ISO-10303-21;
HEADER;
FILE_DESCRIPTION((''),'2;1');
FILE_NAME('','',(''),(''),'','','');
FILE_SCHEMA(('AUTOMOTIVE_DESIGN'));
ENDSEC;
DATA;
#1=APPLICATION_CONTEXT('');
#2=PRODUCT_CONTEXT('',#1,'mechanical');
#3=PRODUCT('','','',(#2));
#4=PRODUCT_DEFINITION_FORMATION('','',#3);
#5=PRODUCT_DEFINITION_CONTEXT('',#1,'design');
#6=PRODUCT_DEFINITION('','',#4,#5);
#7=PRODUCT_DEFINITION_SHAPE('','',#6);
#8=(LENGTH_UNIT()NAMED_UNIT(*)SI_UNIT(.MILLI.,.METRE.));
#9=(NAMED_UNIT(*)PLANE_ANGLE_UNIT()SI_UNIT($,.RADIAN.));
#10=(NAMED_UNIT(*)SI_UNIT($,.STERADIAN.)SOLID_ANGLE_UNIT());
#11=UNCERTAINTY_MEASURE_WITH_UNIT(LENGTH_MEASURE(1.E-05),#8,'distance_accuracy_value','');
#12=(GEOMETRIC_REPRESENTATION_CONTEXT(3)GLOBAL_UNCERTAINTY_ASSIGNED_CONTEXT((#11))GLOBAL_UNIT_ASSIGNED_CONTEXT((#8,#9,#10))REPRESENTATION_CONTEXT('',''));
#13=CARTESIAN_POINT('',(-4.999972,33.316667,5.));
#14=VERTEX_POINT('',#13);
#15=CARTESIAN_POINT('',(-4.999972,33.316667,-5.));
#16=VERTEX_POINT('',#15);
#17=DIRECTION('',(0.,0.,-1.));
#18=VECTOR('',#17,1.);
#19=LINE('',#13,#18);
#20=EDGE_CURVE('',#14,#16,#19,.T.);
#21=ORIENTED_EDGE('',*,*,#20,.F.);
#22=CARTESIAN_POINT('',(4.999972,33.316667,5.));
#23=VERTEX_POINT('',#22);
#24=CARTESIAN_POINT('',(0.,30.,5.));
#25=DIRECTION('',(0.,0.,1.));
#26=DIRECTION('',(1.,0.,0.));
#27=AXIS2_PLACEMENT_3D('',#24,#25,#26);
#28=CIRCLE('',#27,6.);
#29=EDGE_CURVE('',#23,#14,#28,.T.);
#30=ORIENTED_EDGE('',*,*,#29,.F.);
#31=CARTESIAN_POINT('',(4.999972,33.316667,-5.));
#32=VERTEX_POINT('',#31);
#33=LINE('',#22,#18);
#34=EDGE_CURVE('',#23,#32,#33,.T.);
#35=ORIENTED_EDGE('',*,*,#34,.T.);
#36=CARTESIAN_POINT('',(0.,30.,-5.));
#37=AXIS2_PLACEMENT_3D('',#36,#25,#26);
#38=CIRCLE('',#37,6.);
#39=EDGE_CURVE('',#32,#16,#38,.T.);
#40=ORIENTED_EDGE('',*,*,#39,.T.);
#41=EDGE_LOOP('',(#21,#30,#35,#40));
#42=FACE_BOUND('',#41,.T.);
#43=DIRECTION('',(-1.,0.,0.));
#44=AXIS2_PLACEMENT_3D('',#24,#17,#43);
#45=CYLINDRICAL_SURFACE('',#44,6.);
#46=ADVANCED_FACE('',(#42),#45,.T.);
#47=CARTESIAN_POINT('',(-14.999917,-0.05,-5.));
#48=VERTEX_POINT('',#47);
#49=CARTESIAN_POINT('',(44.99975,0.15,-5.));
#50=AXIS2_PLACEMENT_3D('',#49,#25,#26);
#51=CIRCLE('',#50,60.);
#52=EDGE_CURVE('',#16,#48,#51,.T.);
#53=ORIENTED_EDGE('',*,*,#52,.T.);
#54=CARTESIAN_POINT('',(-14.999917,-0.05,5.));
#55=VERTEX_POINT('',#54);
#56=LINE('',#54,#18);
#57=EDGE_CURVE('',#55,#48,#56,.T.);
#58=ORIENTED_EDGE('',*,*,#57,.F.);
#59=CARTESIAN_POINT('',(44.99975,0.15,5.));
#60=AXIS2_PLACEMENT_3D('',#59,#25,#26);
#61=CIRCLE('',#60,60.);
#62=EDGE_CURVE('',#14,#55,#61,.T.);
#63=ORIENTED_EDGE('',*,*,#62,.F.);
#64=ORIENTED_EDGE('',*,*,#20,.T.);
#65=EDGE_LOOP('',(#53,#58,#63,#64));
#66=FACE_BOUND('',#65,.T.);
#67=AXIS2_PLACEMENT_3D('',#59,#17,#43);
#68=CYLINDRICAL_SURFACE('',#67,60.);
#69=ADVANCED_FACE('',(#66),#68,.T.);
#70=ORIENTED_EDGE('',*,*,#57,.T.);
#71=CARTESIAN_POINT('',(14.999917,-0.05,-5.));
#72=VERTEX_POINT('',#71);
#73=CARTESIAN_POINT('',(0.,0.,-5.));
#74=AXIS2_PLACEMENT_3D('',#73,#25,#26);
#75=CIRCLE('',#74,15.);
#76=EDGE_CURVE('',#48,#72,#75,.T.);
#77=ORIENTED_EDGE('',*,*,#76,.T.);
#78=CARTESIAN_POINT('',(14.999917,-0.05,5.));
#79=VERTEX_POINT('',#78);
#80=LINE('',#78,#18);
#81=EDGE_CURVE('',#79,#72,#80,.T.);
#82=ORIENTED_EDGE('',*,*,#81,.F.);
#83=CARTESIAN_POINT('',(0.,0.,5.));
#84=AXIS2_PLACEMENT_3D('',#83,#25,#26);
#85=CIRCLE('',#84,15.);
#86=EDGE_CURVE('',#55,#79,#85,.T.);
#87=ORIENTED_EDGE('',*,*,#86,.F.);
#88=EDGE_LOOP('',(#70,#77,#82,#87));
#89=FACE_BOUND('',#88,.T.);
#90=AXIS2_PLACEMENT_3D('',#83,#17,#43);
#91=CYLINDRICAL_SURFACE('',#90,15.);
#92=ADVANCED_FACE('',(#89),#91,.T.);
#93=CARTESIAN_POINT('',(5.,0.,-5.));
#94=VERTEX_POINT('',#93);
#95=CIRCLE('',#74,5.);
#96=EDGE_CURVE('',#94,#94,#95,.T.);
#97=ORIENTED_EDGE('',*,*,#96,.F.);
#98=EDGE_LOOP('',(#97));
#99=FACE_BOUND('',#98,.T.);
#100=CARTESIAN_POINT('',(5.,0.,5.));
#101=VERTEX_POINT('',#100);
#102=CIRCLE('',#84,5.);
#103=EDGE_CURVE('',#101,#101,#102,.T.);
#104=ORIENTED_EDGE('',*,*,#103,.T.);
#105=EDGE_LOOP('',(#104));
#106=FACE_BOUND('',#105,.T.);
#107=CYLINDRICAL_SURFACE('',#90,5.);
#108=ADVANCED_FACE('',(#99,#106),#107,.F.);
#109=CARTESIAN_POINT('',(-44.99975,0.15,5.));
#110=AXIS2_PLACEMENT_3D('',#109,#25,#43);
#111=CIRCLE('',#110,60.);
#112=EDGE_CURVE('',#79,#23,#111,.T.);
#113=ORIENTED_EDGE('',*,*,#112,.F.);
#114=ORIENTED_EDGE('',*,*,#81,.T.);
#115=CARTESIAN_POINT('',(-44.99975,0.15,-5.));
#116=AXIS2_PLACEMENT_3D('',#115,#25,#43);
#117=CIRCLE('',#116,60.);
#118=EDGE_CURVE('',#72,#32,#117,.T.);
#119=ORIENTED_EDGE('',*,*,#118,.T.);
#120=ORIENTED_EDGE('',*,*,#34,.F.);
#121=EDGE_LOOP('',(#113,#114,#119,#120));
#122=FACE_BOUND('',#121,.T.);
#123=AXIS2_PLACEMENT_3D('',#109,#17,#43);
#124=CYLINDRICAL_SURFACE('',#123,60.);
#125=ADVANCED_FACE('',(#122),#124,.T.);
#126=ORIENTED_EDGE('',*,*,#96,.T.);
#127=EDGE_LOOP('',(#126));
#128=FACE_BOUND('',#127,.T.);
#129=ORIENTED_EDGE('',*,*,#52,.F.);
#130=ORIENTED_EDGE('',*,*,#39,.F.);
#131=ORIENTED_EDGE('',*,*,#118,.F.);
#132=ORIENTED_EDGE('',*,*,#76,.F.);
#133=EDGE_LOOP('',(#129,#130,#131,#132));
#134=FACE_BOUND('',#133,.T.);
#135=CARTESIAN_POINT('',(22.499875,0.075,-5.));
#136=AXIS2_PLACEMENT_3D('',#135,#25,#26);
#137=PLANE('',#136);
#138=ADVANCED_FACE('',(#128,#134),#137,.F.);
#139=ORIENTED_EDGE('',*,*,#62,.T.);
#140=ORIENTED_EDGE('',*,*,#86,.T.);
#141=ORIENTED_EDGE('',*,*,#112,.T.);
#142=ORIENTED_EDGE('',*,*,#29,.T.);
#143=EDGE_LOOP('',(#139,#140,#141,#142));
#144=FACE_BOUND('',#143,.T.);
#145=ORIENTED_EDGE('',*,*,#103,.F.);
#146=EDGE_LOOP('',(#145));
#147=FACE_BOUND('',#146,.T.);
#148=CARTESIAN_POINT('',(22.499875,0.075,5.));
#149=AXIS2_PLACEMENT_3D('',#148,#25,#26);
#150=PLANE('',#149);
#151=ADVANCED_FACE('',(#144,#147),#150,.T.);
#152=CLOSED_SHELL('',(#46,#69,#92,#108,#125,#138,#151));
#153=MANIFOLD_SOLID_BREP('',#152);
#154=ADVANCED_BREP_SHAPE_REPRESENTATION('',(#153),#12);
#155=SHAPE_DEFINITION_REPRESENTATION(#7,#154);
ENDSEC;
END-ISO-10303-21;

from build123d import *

# Parameters (mm, degrees)
SKETCH1_R           = 5
BOSS_EXTRUDE1_DEPTH = 5


with BuildPart() as part:
    # Sketch1 → Boss-Extrude1 (new, symmetric)
    with BuildSketch(Plane.XY):
        with BuildLine():
            ThreePointArc((-14.999916666, -0.05), (0, -15), (14.999916666, -0.05))
            ThreePointArc((14.999916666, -0.05), (12.474592102, 17.374981858), (4.999972222, 33.316666667))
            ThreePointArc((4.999972222, 33.316666667), (0, 36), (-4.999972222, 33.316666667))
            ThreePointArc((-4.999972222, 33.316666667), (-12.474592102, 17.374981858), (-14.999916666, -0.05))
        make_face()
        Circle(SKETCH1_R, mode=Mode.SUBTRACT)
    extrude(amount=BOSS_EXTRUDE1_DEPTH, both=True)


solid = part.part
